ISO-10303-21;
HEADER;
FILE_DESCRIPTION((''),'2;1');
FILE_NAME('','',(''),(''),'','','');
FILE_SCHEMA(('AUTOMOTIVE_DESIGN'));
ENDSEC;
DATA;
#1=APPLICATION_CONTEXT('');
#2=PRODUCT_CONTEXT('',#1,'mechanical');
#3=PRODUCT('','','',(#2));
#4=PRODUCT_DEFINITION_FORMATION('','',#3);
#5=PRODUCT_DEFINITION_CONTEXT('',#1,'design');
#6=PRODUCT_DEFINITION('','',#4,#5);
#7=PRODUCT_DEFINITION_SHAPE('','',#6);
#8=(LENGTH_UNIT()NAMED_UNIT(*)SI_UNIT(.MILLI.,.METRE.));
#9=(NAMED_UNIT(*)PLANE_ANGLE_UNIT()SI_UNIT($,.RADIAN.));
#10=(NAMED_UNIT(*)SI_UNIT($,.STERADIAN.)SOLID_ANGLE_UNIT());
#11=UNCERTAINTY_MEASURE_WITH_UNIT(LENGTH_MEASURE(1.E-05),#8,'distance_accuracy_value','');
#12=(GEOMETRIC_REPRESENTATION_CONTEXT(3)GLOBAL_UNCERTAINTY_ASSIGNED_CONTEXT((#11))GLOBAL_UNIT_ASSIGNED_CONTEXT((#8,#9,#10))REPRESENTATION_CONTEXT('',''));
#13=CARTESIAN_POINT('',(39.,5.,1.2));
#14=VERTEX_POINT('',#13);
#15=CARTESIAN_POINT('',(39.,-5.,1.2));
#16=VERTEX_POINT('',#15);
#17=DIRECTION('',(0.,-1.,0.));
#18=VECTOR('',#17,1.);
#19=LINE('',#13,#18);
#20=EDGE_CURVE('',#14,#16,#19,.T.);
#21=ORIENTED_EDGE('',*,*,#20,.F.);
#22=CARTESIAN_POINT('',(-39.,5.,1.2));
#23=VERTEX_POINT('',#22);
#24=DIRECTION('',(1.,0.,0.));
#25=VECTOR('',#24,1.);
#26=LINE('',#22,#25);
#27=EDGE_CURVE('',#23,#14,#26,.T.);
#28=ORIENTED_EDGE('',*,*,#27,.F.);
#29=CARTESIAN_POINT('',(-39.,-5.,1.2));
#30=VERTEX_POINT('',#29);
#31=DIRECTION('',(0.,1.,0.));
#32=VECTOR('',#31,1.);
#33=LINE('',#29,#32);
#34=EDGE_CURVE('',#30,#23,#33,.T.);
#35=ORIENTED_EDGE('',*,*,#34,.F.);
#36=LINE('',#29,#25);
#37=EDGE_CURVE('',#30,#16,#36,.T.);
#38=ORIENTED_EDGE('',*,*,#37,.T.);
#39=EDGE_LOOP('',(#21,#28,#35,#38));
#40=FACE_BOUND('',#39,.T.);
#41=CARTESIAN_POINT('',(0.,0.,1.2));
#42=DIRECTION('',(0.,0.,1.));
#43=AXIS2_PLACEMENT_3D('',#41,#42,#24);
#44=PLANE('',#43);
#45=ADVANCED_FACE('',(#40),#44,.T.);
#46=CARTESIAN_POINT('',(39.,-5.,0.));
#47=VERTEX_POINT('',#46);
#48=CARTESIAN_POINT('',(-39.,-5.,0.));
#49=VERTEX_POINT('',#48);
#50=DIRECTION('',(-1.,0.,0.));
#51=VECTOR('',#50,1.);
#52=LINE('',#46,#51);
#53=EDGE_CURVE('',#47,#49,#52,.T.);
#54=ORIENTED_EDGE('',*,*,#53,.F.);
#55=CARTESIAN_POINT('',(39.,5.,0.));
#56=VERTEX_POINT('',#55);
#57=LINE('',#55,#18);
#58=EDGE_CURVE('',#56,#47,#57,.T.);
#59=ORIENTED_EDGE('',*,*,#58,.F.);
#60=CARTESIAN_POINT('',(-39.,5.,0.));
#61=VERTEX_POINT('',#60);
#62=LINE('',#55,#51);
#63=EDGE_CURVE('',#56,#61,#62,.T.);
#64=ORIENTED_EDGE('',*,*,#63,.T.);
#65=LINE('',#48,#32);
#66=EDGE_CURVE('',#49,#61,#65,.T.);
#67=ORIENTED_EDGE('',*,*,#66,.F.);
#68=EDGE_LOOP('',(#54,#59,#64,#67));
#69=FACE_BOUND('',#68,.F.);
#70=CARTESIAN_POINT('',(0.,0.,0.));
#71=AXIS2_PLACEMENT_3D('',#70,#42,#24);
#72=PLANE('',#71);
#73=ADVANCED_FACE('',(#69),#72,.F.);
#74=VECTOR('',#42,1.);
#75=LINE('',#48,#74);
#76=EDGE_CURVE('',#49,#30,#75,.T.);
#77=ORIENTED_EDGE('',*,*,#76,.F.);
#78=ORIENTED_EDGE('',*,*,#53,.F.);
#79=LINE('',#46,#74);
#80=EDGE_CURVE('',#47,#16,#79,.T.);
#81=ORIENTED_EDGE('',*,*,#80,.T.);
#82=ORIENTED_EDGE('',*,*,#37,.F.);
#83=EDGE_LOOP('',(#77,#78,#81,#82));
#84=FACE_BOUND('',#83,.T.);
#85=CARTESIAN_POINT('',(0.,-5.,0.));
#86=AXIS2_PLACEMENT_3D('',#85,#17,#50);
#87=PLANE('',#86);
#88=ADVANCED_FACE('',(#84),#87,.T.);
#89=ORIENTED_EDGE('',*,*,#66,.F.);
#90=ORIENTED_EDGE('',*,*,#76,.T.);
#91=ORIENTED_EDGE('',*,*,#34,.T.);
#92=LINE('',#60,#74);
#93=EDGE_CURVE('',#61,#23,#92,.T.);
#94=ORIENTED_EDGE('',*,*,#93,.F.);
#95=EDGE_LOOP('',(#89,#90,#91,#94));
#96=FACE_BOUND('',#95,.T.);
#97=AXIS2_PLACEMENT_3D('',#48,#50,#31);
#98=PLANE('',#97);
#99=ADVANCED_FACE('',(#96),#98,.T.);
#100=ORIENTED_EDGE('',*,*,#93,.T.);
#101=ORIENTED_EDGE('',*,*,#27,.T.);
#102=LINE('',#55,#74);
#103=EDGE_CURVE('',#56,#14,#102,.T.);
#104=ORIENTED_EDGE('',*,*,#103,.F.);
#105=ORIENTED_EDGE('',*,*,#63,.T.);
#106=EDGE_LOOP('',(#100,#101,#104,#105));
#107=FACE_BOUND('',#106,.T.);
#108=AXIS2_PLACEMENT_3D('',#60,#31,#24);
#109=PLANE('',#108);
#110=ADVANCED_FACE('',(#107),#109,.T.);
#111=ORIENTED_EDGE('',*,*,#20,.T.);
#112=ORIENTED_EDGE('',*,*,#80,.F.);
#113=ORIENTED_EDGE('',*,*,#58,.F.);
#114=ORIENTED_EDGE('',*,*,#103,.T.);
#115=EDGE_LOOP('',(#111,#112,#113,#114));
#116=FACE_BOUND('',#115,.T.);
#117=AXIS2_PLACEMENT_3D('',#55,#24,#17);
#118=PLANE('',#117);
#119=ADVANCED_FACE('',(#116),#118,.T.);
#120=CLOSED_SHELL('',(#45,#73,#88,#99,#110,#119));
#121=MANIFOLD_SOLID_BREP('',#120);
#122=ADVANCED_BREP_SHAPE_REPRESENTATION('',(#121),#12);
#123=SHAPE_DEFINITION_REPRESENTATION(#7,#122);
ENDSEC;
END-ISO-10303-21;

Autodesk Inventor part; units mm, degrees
ref_plane "YZ Plane" through (0, 0, 0) normal (1, 0, 0) x (0, 1, 0)
ref_plane "XZ Plane" through (0, 0, 0) normal (0, 1, 0) x (-1, 0, 0)
ref_plane "XY Plane" through (0, 0, 0) normal (0, 0, 1) x (1, 0, 0)
sketch "Sketch1" plane through (0, 0, 0) normal (0, 0, 1) x (1, 0, 0)
  line L0 (-39, 5) -> (39, 5)
  line L1 (39, 5) -> (39, -5)
  line L2 (39, -5) -> (-39, -5)
  line L3 (-39, -5) -> (-39, 5)
  line L4 (0, 10.3664) -> (0, -9.2146)
  line L5 (-9.5025, 0) -> (16.9894, 0)
  point P0 (0, 0)
  dimension "d0" = 78
  dimension "d1" = 10
extrude "Extrusion1" add sketch "Sketch1" along normal blind 1.2
properties part number "lock"
